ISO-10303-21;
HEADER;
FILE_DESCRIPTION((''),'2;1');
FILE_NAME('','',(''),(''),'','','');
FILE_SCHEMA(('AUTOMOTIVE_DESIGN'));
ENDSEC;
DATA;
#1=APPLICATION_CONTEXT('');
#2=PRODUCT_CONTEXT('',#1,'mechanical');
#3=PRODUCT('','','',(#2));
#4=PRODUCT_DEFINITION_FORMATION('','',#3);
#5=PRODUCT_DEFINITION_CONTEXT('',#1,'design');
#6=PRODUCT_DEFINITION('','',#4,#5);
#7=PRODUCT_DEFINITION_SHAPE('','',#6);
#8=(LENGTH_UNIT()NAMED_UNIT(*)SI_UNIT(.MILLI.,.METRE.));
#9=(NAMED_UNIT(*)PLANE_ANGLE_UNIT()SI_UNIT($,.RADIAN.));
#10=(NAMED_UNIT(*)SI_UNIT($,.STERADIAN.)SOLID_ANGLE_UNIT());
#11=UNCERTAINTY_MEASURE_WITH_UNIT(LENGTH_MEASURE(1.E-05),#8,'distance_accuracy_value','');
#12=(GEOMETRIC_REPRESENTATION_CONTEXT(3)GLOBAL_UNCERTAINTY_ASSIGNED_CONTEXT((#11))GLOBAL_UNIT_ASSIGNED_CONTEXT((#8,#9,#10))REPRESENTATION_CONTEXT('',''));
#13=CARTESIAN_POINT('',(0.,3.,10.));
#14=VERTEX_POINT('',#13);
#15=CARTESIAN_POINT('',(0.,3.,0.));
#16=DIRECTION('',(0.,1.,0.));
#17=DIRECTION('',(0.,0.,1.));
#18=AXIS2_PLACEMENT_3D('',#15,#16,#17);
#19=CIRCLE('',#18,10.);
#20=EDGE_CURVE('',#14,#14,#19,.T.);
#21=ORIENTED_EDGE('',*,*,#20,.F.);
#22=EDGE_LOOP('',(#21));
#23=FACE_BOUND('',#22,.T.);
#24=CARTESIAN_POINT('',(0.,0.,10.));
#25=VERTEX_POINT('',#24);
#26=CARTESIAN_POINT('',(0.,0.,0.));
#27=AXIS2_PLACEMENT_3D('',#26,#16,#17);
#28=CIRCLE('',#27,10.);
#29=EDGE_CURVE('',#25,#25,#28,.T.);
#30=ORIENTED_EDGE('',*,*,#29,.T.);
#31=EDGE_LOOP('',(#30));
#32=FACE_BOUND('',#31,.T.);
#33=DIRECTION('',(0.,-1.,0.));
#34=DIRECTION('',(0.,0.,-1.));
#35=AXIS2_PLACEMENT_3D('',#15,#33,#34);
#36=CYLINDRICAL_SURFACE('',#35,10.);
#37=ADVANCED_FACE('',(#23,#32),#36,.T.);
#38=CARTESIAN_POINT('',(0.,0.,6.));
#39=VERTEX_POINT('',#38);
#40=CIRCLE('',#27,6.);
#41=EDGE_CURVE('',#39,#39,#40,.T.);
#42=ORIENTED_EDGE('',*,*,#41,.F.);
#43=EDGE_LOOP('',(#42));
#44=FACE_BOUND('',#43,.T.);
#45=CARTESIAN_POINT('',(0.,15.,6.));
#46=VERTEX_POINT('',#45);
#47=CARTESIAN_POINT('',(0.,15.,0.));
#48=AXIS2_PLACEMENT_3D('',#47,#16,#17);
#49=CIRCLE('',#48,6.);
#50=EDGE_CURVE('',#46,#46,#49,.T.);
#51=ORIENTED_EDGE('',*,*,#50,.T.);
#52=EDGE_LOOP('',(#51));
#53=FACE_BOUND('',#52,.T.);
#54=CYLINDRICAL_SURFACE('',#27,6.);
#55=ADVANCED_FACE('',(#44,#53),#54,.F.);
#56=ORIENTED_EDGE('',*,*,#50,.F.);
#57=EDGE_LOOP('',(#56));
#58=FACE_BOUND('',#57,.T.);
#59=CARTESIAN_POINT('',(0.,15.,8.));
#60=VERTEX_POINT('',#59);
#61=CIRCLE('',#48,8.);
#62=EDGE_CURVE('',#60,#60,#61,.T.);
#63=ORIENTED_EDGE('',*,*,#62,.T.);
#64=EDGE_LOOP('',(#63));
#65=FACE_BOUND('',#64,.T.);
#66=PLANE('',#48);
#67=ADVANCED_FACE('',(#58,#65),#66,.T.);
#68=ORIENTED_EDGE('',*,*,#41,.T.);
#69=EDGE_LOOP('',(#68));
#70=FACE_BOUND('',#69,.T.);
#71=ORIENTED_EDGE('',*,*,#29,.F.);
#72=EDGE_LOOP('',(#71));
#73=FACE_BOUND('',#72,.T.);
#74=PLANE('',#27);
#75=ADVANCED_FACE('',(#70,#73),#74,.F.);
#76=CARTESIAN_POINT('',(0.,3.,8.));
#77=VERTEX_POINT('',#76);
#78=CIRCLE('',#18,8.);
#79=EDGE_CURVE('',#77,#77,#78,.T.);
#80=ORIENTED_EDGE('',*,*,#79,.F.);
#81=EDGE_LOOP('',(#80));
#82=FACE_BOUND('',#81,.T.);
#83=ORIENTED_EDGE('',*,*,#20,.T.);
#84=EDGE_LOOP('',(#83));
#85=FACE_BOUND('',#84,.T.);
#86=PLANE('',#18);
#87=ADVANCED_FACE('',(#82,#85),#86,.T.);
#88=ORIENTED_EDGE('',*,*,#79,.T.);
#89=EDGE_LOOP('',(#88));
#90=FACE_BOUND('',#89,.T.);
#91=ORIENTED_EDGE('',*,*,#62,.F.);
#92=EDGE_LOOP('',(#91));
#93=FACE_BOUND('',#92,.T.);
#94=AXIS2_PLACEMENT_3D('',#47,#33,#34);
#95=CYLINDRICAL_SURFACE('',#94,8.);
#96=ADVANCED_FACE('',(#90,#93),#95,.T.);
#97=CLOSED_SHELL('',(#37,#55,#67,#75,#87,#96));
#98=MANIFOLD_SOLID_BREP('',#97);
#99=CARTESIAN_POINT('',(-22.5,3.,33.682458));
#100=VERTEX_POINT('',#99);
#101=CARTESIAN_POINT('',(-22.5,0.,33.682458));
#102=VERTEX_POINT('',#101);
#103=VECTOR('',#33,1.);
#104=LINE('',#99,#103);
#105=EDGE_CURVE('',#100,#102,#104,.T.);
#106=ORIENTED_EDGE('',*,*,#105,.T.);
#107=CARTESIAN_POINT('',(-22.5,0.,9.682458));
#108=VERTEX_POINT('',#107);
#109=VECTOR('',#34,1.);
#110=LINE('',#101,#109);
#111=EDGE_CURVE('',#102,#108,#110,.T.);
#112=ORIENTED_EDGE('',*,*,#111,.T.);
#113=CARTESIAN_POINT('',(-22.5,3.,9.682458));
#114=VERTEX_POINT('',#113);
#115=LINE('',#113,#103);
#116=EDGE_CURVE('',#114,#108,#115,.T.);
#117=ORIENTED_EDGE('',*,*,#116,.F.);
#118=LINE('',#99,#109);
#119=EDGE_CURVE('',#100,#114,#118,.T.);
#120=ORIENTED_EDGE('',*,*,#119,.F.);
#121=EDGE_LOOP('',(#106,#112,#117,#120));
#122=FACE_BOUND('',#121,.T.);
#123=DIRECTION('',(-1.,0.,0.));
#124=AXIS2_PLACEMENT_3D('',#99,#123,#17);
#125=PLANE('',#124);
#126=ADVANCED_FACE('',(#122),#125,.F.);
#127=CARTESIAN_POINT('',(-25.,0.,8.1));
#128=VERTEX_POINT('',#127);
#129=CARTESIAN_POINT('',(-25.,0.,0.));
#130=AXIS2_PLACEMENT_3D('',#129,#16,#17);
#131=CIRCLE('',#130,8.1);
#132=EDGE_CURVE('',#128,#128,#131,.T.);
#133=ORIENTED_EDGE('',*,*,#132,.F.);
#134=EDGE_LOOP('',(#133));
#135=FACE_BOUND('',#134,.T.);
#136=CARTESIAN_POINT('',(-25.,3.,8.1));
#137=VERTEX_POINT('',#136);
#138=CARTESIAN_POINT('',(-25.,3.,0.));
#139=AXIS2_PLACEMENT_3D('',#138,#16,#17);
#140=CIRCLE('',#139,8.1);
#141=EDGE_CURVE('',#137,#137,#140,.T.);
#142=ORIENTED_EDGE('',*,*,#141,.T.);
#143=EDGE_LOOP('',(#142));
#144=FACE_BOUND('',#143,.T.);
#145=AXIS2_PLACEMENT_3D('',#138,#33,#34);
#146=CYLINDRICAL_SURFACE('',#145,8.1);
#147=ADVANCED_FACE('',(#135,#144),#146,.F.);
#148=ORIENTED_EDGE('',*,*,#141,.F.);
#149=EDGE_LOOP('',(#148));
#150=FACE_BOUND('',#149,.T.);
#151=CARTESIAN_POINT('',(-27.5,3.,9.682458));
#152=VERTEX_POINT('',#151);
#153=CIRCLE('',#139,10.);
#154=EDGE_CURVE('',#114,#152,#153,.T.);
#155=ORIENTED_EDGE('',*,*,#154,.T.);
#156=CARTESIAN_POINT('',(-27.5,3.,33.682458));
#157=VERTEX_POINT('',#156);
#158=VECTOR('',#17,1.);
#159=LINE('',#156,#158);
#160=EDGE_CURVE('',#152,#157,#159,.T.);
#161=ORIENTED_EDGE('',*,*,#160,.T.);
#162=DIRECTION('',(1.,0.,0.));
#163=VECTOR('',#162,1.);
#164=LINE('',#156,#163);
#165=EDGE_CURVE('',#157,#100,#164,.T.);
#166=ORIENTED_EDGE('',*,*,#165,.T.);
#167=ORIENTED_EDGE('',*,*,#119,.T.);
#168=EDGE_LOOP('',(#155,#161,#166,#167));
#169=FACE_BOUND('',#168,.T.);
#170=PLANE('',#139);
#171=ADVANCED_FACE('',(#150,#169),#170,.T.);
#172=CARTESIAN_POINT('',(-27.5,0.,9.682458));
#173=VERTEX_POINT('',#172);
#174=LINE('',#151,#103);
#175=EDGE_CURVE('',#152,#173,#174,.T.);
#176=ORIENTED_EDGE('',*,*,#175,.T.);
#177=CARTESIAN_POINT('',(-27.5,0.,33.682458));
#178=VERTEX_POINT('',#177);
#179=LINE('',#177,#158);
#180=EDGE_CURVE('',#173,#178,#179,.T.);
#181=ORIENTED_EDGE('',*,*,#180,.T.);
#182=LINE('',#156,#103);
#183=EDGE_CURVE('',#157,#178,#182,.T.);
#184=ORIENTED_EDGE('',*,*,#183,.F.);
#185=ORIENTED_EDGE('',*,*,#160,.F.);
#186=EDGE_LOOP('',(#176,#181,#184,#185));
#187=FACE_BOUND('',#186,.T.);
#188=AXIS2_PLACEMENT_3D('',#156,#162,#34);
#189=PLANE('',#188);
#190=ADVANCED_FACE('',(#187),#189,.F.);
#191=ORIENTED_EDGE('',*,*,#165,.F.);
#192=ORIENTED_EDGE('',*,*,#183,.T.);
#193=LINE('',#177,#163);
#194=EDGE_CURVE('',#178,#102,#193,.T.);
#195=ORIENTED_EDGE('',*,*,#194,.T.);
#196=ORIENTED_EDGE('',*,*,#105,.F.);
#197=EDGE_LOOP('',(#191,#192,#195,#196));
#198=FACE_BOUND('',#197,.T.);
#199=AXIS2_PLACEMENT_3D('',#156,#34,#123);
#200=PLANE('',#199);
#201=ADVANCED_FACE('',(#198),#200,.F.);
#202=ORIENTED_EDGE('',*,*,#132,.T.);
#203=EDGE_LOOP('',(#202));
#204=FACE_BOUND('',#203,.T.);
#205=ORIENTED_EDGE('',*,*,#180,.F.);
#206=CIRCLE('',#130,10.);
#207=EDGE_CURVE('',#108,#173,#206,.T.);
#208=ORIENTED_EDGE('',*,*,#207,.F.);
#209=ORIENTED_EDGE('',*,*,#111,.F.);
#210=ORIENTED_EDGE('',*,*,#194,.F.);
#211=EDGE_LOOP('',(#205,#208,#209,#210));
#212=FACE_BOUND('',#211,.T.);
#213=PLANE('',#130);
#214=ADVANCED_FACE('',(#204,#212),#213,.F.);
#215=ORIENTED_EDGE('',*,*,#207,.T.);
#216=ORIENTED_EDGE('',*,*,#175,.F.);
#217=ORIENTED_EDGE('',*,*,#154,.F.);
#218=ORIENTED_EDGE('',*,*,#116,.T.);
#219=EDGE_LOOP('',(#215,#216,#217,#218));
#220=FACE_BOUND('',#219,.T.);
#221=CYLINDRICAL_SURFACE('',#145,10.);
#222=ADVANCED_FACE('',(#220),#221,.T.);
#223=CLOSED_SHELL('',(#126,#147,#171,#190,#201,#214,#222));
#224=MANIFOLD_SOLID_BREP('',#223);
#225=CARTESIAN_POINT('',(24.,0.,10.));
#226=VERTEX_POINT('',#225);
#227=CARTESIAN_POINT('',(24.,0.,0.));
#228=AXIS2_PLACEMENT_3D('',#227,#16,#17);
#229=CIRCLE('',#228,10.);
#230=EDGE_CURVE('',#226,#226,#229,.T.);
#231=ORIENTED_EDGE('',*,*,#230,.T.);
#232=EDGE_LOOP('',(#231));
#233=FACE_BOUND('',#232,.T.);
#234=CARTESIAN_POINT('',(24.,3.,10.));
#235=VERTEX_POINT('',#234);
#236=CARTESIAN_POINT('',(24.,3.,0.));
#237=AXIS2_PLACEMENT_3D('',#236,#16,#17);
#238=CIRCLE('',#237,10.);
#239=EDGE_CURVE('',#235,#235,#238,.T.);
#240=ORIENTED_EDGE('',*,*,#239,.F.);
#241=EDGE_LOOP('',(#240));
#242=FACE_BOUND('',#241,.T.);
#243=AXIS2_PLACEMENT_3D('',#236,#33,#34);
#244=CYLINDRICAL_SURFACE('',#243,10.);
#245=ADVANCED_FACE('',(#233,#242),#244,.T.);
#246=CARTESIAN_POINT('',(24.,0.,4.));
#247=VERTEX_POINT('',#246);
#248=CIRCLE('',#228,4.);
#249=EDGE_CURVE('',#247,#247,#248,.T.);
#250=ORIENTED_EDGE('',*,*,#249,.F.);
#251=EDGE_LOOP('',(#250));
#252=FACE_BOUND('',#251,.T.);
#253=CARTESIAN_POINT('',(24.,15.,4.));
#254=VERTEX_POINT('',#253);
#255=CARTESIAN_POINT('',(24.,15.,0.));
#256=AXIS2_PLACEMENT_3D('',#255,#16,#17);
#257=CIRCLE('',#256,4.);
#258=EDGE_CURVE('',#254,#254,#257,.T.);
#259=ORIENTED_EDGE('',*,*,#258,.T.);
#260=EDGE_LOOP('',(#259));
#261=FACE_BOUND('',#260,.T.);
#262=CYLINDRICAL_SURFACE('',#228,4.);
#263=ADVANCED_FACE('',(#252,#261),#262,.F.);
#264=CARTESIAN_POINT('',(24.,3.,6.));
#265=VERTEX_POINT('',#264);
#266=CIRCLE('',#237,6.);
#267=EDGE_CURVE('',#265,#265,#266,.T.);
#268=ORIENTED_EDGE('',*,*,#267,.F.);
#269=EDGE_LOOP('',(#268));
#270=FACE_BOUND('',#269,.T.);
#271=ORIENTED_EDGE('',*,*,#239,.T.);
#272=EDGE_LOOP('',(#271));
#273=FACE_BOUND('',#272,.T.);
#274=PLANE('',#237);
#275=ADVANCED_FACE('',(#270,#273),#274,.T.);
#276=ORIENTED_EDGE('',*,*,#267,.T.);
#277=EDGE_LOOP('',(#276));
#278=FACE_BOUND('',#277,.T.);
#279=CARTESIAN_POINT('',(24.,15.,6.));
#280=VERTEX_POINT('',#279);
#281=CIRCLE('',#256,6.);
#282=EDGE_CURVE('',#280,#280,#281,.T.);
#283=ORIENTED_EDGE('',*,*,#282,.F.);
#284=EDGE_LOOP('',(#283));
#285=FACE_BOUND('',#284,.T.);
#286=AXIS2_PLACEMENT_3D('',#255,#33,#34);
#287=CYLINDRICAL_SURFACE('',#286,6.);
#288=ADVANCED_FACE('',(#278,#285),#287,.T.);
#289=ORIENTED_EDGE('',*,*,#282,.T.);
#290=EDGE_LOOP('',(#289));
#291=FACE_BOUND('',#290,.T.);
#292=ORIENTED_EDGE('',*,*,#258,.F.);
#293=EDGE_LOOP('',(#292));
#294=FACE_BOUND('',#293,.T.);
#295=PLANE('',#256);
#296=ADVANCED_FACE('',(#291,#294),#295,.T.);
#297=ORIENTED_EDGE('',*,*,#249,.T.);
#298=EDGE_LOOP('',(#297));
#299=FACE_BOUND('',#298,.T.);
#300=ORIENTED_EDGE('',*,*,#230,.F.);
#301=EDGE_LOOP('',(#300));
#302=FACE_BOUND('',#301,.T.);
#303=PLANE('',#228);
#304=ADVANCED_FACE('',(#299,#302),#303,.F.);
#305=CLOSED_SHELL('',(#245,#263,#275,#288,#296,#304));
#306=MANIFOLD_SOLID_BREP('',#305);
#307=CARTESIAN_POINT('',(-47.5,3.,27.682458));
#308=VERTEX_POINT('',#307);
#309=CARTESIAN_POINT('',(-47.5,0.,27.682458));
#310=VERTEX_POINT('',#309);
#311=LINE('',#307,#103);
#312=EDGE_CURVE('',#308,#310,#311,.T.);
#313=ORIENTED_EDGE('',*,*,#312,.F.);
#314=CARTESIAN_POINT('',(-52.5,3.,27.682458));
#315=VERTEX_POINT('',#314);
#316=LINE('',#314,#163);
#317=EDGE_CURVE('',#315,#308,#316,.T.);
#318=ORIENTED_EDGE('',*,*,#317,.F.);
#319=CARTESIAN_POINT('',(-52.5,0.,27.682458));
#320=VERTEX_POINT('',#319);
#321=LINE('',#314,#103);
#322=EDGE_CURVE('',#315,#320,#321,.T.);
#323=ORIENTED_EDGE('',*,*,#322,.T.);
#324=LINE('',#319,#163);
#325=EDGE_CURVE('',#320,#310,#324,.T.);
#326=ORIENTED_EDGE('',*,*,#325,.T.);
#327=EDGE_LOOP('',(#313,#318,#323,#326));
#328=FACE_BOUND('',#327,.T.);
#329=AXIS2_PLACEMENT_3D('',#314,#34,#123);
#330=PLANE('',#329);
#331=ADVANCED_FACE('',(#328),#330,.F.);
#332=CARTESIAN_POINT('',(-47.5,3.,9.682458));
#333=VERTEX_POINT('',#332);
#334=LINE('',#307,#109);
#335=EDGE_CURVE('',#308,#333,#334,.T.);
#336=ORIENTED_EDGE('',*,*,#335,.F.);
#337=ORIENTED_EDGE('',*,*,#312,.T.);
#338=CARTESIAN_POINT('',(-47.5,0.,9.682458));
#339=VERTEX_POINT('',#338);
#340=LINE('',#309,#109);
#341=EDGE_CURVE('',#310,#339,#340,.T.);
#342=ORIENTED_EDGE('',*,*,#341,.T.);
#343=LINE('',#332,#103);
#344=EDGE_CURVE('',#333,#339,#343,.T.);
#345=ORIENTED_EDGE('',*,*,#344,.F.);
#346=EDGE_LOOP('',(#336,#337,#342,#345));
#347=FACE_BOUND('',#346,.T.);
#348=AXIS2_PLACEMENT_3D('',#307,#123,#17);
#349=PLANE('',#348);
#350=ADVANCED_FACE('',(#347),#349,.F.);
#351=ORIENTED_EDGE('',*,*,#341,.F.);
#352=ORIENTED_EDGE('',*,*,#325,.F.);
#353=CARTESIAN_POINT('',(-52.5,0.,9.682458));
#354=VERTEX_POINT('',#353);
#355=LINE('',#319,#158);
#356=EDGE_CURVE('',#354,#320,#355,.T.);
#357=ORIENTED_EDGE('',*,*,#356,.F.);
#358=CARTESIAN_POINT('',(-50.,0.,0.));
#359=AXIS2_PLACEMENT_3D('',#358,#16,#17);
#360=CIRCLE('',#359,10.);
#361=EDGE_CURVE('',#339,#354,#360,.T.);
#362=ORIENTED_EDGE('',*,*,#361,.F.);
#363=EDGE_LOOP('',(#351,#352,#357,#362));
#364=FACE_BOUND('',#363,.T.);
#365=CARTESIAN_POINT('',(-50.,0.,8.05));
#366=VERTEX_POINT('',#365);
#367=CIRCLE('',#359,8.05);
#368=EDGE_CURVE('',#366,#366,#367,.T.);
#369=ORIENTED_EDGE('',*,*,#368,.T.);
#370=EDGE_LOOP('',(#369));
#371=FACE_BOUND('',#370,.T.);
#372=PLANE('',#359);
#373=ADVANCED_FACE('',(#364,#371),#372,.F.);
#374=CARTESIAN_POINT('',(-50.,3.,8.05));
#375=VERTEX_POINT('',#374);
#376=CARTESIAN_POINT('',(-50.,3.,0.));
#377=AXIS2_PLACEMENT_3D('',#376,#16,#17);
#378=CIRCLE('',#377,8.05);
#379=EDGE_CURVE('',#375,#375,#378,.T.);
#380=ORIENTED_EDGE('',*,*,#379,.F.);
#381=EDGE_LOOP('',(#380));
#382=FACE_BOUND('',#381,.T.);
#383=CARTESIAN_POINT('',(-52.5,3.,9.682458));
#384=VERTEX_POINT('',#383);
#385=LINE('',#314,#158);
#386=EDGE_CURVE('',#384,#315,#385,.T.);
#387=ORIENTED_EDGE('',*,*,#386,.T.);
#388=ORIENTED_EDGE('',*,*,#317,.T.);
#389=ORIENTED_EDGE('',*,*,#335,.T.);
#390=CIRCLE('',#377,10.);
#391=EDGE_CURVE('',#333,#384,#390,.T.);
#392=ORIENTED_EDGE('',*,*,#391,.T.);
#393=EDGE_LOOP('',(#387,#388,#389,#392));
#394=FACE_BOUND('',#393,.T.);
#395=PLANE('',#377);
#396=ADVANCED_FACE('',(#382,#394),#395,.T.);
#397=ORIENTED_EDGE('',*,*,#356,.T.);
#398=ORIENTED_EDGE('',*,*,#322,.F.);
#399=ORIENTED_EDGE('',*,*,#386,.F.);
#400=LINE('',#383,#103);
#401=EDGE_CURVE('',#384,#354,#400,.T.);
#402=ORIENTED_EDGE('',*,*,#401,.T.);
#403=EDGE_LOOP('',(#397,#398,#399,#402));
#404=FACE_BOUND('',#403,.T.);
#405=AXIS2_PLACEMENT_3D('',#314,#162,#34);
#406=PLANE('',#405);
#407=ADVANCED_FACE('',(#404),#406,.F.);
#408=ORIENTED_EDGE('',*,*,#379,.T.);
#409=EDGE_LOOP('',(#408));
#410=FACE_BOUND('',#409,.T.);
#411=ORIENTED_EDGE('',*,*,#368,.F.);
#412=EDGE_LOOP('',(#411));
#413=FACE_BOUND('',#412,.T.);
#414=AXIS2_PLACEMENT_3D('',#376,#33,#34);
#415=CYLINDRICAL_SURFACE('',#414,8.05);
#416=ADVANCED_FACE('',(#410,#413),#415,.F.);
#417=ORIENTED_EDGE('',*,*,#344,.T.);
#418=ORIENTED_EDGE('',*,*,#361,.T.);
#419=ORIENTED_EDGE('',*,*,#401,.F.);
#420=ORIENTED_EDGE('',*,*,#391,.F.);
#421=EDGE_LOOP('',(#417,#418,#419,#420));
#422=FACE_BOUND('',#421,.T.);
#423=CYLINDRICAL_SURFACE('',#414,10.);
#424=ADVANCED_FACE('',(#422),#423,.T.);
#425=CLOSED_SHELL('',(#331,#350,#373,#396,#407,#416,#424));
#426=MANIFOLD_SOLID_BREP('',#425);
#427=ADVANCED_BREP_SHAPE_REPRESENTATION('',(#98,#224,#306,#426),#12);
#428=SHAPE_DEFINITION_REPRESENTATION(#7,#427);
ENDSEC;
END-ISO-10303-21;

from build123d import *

# Parameters (mm, degrees)
SKETCH_1_R          = 10
EXTRUDE_1_DEPTH     = 3
EXTRUDE_1_2_DEPTH   = 3
SKETCH_4_R          = 6
EXTRUDE_2_DEPTH     = 12
SKETCH_3_R          = 8
EXTRUDE_3_DEPTH     = 12
SKETCH_5_R          = 8.05
EXTRUDE_4_DEPTH     = 3
SKETCH_5_R_2        = 8.1
EXTRUDE_4_2_DEPTH   = 3
SKETCH_10_R         = 6
CUT_EXTRUDE_1_DEPTH = 71.423774406
SKETCH_11_R         = 4
CUT_EXTRUDE_2_DEPTH = 71.423774406


with BuildPart() as part:
    # Эскиз1 → Бобышка-Вытянуть1 (new body)
    with BuildSketch(Plane(origin=(0, 0, 0), x_dir=(1, 0, 0), z_dir=(0, 1, 0))):
        with Locations(Location((0, 0, 0), (0, 0, 270))):
            Circle(SKETCH_1_R)
    extrude(amount=EXTRUDE_1_DEPTH)

    # Эскиз3 → Бобышка-Вытянуть3 (add)
    with BuildSketch(Plane(origin=(0, 3, 0), x_dir=(1, 0, 0), z_dir=(0, 1, 0))):
        with Locations(Location((0, 0, 0), (0, 0, 270))):
            Circle(SKETCH_3_R)
    extrude(amount=EXTRUDE_3_DEPTH)

    # Эскиз10 → Вырез-Вытянуть1 (cut, through all)
    with BuildSketch(Plane(origin=(0, 15, 0), x_dir=(1, 0, 0), z_dir=(0, 1, 0))):
        with Locations(Location((0, 0, 0), (0, 0, 270))):
            Circle(SKETCH_10_R)
    extrude(amount=-CUT_EXTRUDE_1_DEPTH, mode=Mode.SUBTRACT)


with BuildPart() as body_2:
    # Эскиз1 → Extrude 1 2 (new body)
    with BuildSketch(Plane(origin=(0, 0, 0), x_dir=(1, 0, 0), z_dir=(0, 1, 0))):
        with Locations(Location((24, 0, 0), (0, 0, 270))):
            Circle(SKETCH_1_R)
    extrude(amount=EXTRUDE_1_2_DEPTH)

    # Эскиз4 → Бобышка-Вытянуть2 (add)
    with BuildSketch(Plane(origin=(0, 3, 0), x_dir=(1, 0, 0), z_dir=(0, 1, 0))):
        with Locations(Location((24, 0, 0), (0, 0, 270))):
            Circle(SKETCH_4_R)
    extrude(amount=EXTRUDE_2_DEPTH)

    # Эскиз11 → Вырез-Вытянуть2 (cut, through all)
    with BuildSketch(Plane(origin=(0, 15, 0), x_dir=(1, 0, 0), z_dir=(0, 1, 0))):
        with Locations(Location((24, 0, 0), (0, 0, 270))):
            Circle(SKETCH_11_R)
    extrude(amount=-CUT_EXTRUDE_2_DEPTH, mode=Mode.SUBTRACT)


with BuildPart() as body_3:
    # Эскиз5 → Бобышка-Вытянуть4 (new body)
    with BuildSketch(Plane(origin=(0, 0, 0), x_dir=(1, 0, 0), z_dir=(0, 1, 0))):
        with BuildLine():
            Line((-52.5, -27.682458366), (-47.5, -27.682458366))
            Line((-47.5, -27.682458366), (-47.5, -9.682458366))
            ThreePointArc((-47.5, -9.682458366), (-50, 10), (-52.5, -9.682458366))
            Line((-52.5, -9.682458366), (-52.5, -27.682458366))
        make_face()
        with Locations(Location((-50, 0, 0), (0, 0, 270))):
            Circle(SKETCH_5_R, mode=Mode.SUBTRACT)
    extrude(amount=EXTRUDE_4_DEPTH)


with BuildPart() as body_4:
    # Эскиз5 → Extrude 4 2 (new body)
    with BuildSketch(Plane(origin=(0, 0, 0), x_dir=(1, 0, 0), z_dir=(0, 1, 0))):
        with BuildLine():
            Line((-27.5, -33.682458366), (-22.5, -33.682458366))
            Line((-22.5, -33.682458366), (-22.5, -9.682458366))
            ThreePointArc((-22.5, -9.682458366), (-25, 10), (-27.5, -9.682458366))
            Line((-27.5, -9.682458366), (-27.5, -33.682458366))
        make_face()
        with Locations(Location((-25, 0, 0), (0, 0, 270))):
            Circle(SKETCH_5_R_2, mode=Mode.SUBTRACT)
    extrude(amount=EXTRUDE_4_2_DEPTH)


solid = Compound([part.part, body_2.part, body_3.part, body_4.part])
